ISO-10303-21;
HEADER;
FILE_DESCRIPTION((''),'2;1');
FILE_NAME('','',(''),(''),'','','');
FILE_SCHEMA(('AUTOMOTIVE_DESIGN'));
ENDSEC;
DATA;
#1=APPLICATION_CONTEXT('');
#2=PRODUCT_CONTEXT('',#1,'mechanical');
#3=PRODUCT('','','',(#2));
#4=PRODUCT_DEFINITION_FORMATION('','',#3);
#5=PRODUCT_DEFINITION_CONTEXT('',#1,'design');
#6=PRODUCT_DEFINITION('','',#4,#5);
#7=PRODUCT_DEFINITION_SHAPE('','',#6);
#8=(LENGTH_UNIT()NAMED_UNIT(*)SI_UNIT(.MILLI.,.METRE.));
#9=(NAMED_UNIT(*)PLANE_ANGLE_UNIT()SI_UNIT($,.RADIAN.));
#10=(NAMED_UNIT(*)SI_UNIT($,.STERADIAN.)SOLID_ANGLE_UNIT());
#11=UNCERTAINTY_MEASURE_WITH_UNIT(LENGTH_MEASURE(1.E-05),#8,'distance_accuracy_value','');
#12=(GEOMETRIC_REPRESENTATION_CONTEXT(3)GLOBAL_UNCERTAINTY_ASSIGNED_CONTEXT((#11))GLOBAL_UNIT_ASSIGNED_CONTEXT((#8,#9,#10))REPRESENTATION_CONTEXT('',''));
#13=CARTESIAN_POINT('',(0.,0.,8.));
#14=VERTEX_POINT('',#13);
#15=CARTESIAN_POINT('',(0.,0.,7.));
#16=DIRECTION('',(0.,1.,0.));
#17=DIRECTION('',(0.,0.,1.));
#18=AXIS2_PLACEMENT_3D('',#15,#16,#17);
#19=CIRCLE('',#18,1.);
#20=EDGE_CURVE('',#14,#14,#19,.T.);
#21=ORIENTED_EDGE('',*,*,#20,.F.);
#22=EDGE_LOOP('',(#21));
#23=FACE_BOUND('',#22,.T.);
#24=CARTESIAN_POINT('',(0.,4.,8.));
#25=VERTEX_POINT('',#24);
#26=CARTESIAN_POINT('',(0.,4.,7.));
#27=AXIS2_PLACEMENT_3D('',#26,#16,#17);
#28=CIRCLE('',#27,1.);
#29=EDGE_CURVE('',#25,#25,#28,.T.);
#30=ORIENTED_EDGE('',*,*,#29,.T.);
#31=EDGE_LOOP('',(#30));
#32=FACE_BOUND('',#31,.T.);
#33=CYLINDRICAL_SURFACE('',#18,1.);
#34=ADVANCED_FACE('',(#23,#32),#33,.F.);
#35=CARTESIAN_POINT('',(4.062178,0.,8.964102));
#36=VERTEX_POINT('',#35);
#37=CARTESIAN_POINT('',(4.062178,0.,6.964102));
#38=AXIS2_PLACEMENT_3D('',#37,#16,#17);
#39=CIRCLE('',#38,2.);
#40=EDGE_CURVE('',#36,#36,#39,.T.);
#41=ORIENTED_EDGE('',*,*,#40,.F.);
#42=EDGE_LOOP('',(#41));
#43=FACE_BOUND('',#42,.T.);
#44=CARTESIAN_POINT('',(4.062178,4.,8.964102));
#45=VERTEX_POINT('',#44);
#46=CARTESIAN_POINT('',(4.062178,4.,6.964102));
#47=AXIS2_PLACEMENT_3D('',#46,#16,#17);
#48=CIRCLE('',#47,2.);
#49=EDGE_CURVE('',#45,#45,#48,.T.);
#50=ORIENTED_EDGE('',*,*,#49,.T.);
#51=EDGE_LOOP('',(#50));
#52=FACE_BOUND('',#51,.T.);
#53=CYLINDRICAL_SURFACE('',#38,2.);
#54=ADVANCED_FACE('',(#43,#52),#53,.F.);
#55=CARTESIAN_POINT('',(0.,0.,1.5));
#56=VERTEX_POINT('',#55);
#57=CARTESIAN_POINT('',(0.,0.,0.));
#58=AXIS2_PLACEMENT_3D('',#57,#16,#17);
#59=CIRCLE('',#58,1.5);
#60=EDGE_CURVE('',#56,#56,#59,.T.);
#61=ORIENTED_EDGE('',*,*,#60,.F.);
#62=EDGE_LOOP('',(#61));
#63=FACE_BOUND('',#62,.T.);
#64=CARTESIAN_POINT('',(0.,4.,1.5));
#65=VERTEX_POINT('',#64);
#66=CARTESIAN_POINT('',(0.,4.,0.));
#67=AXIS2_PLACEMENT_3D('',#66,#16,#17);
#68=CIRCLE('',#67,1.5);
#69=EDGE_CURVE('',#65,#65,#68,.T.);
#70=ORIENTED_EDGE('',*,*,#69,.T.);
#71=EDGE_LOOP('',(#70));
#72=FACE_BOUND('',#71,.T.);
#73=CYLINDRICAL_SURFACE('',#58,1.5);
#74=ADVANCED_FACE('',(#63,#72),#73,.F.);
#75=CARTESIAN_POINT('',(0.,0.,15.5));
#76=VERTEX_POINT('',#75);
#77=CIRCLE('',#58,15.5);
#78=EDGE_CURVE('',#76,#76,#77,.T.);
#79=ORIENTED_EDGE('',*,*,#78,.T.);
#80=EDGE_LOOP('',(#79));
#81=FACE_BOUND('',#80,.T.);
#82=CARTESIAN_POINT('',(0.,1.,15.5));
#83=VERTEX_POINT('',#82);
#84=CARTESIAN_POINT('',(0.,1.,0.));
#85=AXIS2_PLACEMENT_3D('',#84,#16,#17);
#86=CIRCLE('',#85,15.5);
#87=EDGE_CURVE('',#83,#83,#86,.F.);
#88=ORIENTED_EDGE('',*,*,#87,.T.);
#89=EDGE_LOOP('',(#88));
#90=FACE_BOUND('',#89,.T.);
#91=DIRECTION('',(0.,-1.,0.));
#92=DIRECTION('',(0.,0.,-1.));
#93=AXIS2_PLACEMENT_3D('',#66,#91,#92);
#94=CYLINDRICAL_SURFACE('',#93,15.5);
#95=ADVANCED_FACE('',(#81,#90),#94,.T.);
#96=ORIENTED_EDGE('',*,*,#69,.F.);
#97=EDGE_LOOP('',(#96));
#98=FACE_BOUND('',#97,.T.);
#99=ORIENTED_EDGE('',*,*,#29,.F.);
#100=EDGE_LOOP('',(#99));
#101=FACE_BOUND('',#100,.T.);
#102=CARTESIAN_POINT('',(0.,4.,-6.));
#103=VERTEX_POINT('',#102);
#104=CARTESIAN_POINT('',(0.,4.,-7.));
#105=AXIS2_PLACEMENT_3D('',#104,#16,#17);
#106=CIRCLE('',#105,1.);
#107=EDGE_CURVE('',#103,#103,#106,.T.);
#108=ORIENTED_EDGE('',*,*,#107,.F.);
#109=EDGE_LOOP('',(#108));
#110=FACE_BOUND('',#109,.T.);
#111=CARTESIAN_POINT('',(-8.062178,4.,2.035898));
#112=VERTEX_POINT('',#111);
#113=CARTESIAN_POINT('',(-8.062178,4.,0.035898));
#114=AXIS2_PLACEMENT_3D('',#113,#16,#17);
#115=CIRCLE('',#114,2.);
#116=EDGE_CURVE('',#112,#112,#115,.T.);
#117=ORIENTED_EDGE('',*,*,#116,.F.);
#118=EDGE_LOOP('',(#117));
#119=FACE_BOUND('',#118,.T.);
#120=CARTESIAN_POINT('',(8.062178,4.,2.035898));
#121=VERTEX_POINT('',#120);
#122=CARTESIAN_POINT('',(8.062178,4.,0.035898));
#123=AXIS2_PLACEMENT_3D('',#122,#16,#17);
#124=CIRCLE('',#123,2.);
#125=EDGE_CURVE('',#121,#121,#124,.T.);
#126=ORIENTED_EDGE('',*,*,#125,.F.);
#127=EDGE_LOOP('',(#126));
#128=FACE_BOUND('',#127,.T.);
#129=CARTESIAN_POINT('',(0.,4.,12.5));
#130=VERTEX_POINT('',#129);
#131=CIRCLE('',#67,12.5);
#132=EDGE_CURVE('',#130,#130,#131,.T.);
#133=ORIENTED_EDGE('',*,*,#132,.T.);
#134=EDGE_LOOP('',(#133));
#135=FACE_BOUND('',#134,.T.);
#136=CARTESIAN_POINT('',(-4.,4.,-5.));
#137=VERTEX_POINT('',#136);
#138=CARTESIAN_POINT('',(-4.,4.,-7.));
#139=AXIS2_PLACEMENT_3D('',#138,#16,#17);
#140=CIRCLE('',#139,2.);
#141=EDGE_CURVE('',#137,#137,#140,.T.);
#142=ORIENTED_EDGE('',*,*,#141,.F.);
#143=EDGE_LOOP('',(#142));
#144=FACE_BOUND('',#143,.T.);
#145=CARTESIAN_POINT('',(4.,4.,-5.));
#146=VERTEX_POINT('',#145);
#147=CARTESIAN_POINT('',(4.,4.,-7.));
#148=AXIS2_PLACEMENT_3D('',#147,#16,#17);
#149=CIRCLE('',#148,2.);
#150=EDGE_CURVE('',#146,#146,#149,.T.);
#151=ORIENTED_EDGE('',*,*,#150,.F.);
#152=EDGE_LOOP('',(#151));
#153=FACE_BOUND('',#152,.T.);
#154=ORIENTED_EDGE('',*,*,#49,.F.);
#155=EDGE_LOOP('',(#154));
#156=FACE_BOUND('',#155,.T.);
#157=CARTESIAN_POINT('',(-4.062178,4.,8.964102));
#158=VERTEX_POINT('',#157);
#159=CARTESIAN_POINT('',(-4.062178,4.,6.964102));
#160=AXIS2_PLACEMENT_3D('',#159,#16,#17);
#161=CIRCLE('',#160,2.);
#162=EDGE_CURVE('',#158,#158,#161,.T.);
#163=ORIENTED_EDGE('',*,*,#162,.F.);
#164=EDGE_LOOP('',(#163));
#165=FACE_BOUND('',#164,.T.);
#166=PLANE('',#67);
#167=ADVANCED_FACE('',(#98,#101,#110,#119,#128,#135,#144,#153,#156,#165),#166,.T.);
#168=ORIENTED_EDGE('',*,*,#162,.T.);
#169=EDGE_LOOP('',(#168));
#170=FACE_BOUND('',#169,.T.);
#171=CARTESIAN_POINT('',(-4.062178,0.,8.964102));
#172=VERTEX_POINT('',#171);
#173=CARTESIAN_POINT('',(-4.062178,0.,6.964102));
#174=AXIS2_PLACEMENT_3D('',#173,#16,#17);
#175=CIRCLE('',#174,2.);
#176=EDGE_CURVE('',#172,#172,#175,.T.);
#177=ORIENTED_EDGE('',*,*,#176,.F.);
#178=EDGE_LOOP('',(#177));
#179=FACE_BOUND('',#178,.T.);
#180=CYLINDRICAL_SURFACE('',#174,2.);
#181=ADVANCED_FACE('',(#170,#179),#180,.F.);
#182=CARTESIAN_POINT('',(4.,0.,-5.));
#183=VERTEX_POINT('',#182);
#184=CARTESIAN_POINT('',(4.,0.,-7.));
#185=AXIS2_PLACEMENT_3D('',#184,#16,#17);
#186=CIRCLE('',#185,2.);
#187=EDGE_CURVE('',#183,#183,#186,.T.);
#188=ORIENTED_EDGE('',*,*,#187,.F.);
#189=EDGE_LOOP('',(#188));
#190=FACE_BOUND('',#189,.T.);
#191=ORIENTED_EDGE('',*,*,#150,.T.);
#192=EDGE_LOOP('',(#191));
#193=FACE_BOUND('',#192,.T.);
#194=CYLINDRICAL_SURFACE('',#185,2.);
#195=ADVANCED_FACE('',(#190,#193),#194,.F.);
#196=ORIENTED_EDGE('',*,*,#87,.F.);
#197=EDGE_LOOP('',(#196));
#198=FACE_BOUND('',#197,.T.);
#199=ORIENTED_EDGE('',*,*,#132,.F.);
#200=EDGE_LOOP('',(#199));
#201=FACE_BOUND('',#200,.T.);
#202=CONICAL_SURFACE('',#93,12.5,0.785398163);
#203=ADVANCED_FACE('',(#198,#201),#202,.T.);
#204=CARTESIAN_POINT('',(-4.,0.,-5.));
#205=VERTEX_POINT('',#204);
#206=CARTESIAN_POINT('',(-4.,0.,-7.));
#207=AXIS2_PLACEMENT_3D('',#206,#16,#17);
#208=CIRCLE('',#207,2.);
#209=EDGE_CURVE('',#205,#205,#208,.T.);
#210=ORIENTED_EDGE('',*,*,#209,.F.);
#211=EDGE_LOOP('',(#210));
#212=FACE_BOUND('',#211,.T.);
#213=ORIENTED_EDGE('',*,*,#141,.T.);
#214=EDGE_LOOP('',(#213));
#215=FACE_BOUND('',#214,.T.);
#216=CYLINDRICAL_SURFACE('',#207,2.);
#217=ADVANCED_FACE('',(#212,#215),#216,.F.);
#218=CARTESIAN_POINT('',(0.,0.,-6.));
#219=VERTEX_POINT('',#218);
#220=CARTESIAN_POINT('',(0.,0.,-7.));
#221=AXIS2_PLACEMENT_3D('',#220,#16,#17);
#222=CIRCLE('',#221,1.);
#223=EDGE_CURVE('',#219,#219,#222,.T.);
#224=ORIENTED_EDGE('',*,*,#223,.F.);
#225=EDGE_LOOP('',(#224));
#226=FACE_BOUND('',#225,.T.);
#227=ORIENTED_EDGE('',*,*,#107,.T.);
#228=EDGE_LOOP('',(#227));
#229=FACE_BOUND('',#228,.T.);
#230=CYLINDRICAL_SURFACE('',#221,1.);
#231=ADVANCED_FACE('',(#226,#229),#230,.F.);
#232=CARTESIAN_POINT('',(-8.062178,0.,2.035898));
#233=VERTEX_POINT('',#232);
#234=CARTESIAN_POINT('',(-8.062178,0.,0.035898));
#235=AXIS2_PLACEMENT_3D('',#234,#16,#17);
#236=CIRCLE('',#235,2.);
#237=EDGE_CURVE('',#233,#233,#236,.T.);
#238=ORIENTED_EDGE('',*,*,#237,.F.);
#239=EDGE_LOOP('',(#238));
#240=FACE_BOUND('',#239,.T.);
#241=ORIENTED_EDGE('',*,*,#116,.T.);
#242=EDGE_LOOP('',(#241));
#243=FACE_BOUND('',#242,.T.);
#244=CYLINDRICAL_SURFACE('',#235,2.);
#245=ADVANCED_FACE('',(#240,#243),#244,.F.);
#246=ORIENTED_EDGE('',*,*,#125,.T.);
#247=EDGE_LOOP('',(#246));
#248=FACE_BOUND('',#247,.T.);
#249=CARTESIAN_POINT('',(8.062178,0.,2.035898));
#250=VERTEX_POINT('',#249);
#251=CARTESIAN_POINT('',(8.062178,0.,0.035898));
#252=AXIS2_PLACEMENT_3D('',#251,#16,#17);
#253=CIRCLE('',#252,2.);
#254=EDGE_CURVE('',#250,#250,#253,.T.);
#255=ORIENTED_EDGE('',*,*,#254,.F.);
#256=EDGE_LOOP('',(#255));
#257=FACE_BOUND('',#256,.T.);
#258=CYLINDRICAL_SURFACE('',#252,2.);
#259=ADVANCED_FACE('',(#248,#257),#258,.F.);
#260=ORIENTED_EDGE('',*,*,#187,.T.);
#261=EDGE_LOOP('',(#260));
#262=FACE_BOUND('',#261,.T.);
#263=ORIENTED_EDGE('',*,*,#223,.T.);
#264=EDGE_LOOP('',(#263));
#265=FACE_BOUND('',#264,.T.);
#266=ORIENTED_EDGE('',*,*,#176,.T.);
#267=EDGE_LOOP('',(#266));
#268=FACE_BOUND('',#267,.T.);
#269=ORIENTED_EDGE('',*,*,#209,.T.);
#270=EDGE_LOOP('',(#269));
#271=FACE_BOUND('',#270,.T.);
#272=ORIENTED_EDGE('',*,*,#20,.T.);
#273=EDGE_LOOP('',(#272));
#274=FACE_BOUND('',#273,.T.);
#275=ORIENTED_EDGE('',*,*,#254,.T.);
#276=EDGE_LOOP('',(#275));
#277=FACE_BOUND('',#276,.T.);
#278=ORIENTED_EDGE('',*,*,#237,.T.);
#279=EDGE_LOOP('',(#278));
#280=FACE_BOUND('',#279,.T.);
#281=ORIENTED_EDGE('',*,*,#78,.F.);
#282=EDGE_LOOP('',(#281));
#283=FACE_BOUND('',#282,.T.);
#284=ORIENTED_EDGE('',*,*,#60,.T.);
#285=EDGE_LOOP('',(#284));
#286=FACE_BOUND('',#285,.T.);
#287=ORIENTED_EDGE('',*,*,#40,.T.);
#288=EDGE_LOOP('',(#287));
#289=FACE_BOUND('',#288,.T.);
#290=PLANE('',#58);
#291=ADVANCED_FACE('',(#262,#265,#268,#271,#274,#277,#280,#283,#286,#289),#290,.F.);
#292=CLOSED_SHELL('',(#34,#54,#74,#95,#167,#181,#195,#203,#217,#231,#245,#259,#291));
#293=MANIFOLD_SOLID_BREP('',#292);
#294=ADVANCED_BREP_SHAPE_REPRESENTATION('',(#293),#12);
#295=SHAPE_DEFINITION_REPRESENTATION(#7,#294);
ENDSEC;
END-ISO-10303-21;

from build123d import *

# Parameters (mm, degrees)
SKETCH1_R           = 15.5
BOSS_EXTRUDE1_DEPTH = 4
CHAMFER1_SIZE       = 3
SKETCH2_R           = 2
CUT_EXTRUDE1_DEPTH  = 4
SKETCH3_R           = 1.5
CUT_EXTRUDE2_DEPTH  = 4
SKETCH4_R           = 1
CUT_EXTRUDE3_DEPTH  = 4


with BuildPart() as part:
    # Sketch1 → Boss-Extrude1 (new body)
    with BuildSketch(Plane(origin=(0, 0, 0), x_dir=(1, 0, 0), z_dir=(0, 1, 0))):
        with Locations(Location((0, 0, 0), (0, 0, 270))):
            Circle(SKETCH1_R)
    extrude(amount=BOSS_EXTRUDE1_DEPTH)

    # Chamfer1
    chamfer1_edges = [part.edges().sort_by_distance(p)[0] for p in [
        (0, 4, -15.5),
    ]]
    chamfer(chamfer1_edges, length=CHAMFER1_SIZE)

    # Sketch2 → Cut-Extrude1 (cut)
    with BuildSketch(Plane(origin=(0, 4, 0), x_dir=(1, 0, 0), z_dir=(0, 1, 0))):
        with Locations(Location((4, 7, 0), (0, 0, 270))):
            Circle(SKETCH2_R)
        with Locations(Location((-4, 7, 0), (0, 0, 270))):
            Circle(SKETCH2_R)
        with Locations(Location((8.062177826, -0.035898385, 0), (0, 0, 270))):
            Circle(SKETCH2_R)
        with Locations(Location((4.062177826, -6.964101615, 0), (0, 0, 270))):
            Circle(SKETCH2_R)
        with Locations(Location((-4.062177826, -6.964101615, 0), (0, 0, 270))):
            Circle(SKETCH2_R)
        with Locations(Location((-8.062177826, -0.035898385, 0), (0, 0, 270))):
            Circle(SKETCH2_R)
    extrude(amount=-CUT_EXTRUDE1_DEPTH, mode=Mode.SUBTRACT)

    # Sketch3 → Cut-Extrude2 (cut)
    with BuildSketch(Plane(origin=(0, 4, 0), x_dir=(1, 0, 0), z_dir=(0, 1, 0))):
        with Locations(Location((0, 0, 0), (0, 0, 270))):
            Circle(SKETCH3_R)
    extrude(amount=-CUT_EXTRUDE2_DEPTH, mode=Mode.SUBTRACT)

    # Sketch4 → Cut-Extrude3 (cut)
    with BuildSketch(Plane(origin=(0, 4, 0), x_dir=(1, 0, 0), z_dir=(0, 1, 0))):
        with Locations(Location((0, 7, 0), (0, 0, 270))):
            Circle(SKETCH4_R)
        with Locations(Location((0, -7, 0), (0, 0, 270))):
            Circle(SKETCH4_R)
    extrude(amount=-CUT_EXTRUDE3_DEPTH, mode=Mode.SUBTRACT)


solid = part.part
